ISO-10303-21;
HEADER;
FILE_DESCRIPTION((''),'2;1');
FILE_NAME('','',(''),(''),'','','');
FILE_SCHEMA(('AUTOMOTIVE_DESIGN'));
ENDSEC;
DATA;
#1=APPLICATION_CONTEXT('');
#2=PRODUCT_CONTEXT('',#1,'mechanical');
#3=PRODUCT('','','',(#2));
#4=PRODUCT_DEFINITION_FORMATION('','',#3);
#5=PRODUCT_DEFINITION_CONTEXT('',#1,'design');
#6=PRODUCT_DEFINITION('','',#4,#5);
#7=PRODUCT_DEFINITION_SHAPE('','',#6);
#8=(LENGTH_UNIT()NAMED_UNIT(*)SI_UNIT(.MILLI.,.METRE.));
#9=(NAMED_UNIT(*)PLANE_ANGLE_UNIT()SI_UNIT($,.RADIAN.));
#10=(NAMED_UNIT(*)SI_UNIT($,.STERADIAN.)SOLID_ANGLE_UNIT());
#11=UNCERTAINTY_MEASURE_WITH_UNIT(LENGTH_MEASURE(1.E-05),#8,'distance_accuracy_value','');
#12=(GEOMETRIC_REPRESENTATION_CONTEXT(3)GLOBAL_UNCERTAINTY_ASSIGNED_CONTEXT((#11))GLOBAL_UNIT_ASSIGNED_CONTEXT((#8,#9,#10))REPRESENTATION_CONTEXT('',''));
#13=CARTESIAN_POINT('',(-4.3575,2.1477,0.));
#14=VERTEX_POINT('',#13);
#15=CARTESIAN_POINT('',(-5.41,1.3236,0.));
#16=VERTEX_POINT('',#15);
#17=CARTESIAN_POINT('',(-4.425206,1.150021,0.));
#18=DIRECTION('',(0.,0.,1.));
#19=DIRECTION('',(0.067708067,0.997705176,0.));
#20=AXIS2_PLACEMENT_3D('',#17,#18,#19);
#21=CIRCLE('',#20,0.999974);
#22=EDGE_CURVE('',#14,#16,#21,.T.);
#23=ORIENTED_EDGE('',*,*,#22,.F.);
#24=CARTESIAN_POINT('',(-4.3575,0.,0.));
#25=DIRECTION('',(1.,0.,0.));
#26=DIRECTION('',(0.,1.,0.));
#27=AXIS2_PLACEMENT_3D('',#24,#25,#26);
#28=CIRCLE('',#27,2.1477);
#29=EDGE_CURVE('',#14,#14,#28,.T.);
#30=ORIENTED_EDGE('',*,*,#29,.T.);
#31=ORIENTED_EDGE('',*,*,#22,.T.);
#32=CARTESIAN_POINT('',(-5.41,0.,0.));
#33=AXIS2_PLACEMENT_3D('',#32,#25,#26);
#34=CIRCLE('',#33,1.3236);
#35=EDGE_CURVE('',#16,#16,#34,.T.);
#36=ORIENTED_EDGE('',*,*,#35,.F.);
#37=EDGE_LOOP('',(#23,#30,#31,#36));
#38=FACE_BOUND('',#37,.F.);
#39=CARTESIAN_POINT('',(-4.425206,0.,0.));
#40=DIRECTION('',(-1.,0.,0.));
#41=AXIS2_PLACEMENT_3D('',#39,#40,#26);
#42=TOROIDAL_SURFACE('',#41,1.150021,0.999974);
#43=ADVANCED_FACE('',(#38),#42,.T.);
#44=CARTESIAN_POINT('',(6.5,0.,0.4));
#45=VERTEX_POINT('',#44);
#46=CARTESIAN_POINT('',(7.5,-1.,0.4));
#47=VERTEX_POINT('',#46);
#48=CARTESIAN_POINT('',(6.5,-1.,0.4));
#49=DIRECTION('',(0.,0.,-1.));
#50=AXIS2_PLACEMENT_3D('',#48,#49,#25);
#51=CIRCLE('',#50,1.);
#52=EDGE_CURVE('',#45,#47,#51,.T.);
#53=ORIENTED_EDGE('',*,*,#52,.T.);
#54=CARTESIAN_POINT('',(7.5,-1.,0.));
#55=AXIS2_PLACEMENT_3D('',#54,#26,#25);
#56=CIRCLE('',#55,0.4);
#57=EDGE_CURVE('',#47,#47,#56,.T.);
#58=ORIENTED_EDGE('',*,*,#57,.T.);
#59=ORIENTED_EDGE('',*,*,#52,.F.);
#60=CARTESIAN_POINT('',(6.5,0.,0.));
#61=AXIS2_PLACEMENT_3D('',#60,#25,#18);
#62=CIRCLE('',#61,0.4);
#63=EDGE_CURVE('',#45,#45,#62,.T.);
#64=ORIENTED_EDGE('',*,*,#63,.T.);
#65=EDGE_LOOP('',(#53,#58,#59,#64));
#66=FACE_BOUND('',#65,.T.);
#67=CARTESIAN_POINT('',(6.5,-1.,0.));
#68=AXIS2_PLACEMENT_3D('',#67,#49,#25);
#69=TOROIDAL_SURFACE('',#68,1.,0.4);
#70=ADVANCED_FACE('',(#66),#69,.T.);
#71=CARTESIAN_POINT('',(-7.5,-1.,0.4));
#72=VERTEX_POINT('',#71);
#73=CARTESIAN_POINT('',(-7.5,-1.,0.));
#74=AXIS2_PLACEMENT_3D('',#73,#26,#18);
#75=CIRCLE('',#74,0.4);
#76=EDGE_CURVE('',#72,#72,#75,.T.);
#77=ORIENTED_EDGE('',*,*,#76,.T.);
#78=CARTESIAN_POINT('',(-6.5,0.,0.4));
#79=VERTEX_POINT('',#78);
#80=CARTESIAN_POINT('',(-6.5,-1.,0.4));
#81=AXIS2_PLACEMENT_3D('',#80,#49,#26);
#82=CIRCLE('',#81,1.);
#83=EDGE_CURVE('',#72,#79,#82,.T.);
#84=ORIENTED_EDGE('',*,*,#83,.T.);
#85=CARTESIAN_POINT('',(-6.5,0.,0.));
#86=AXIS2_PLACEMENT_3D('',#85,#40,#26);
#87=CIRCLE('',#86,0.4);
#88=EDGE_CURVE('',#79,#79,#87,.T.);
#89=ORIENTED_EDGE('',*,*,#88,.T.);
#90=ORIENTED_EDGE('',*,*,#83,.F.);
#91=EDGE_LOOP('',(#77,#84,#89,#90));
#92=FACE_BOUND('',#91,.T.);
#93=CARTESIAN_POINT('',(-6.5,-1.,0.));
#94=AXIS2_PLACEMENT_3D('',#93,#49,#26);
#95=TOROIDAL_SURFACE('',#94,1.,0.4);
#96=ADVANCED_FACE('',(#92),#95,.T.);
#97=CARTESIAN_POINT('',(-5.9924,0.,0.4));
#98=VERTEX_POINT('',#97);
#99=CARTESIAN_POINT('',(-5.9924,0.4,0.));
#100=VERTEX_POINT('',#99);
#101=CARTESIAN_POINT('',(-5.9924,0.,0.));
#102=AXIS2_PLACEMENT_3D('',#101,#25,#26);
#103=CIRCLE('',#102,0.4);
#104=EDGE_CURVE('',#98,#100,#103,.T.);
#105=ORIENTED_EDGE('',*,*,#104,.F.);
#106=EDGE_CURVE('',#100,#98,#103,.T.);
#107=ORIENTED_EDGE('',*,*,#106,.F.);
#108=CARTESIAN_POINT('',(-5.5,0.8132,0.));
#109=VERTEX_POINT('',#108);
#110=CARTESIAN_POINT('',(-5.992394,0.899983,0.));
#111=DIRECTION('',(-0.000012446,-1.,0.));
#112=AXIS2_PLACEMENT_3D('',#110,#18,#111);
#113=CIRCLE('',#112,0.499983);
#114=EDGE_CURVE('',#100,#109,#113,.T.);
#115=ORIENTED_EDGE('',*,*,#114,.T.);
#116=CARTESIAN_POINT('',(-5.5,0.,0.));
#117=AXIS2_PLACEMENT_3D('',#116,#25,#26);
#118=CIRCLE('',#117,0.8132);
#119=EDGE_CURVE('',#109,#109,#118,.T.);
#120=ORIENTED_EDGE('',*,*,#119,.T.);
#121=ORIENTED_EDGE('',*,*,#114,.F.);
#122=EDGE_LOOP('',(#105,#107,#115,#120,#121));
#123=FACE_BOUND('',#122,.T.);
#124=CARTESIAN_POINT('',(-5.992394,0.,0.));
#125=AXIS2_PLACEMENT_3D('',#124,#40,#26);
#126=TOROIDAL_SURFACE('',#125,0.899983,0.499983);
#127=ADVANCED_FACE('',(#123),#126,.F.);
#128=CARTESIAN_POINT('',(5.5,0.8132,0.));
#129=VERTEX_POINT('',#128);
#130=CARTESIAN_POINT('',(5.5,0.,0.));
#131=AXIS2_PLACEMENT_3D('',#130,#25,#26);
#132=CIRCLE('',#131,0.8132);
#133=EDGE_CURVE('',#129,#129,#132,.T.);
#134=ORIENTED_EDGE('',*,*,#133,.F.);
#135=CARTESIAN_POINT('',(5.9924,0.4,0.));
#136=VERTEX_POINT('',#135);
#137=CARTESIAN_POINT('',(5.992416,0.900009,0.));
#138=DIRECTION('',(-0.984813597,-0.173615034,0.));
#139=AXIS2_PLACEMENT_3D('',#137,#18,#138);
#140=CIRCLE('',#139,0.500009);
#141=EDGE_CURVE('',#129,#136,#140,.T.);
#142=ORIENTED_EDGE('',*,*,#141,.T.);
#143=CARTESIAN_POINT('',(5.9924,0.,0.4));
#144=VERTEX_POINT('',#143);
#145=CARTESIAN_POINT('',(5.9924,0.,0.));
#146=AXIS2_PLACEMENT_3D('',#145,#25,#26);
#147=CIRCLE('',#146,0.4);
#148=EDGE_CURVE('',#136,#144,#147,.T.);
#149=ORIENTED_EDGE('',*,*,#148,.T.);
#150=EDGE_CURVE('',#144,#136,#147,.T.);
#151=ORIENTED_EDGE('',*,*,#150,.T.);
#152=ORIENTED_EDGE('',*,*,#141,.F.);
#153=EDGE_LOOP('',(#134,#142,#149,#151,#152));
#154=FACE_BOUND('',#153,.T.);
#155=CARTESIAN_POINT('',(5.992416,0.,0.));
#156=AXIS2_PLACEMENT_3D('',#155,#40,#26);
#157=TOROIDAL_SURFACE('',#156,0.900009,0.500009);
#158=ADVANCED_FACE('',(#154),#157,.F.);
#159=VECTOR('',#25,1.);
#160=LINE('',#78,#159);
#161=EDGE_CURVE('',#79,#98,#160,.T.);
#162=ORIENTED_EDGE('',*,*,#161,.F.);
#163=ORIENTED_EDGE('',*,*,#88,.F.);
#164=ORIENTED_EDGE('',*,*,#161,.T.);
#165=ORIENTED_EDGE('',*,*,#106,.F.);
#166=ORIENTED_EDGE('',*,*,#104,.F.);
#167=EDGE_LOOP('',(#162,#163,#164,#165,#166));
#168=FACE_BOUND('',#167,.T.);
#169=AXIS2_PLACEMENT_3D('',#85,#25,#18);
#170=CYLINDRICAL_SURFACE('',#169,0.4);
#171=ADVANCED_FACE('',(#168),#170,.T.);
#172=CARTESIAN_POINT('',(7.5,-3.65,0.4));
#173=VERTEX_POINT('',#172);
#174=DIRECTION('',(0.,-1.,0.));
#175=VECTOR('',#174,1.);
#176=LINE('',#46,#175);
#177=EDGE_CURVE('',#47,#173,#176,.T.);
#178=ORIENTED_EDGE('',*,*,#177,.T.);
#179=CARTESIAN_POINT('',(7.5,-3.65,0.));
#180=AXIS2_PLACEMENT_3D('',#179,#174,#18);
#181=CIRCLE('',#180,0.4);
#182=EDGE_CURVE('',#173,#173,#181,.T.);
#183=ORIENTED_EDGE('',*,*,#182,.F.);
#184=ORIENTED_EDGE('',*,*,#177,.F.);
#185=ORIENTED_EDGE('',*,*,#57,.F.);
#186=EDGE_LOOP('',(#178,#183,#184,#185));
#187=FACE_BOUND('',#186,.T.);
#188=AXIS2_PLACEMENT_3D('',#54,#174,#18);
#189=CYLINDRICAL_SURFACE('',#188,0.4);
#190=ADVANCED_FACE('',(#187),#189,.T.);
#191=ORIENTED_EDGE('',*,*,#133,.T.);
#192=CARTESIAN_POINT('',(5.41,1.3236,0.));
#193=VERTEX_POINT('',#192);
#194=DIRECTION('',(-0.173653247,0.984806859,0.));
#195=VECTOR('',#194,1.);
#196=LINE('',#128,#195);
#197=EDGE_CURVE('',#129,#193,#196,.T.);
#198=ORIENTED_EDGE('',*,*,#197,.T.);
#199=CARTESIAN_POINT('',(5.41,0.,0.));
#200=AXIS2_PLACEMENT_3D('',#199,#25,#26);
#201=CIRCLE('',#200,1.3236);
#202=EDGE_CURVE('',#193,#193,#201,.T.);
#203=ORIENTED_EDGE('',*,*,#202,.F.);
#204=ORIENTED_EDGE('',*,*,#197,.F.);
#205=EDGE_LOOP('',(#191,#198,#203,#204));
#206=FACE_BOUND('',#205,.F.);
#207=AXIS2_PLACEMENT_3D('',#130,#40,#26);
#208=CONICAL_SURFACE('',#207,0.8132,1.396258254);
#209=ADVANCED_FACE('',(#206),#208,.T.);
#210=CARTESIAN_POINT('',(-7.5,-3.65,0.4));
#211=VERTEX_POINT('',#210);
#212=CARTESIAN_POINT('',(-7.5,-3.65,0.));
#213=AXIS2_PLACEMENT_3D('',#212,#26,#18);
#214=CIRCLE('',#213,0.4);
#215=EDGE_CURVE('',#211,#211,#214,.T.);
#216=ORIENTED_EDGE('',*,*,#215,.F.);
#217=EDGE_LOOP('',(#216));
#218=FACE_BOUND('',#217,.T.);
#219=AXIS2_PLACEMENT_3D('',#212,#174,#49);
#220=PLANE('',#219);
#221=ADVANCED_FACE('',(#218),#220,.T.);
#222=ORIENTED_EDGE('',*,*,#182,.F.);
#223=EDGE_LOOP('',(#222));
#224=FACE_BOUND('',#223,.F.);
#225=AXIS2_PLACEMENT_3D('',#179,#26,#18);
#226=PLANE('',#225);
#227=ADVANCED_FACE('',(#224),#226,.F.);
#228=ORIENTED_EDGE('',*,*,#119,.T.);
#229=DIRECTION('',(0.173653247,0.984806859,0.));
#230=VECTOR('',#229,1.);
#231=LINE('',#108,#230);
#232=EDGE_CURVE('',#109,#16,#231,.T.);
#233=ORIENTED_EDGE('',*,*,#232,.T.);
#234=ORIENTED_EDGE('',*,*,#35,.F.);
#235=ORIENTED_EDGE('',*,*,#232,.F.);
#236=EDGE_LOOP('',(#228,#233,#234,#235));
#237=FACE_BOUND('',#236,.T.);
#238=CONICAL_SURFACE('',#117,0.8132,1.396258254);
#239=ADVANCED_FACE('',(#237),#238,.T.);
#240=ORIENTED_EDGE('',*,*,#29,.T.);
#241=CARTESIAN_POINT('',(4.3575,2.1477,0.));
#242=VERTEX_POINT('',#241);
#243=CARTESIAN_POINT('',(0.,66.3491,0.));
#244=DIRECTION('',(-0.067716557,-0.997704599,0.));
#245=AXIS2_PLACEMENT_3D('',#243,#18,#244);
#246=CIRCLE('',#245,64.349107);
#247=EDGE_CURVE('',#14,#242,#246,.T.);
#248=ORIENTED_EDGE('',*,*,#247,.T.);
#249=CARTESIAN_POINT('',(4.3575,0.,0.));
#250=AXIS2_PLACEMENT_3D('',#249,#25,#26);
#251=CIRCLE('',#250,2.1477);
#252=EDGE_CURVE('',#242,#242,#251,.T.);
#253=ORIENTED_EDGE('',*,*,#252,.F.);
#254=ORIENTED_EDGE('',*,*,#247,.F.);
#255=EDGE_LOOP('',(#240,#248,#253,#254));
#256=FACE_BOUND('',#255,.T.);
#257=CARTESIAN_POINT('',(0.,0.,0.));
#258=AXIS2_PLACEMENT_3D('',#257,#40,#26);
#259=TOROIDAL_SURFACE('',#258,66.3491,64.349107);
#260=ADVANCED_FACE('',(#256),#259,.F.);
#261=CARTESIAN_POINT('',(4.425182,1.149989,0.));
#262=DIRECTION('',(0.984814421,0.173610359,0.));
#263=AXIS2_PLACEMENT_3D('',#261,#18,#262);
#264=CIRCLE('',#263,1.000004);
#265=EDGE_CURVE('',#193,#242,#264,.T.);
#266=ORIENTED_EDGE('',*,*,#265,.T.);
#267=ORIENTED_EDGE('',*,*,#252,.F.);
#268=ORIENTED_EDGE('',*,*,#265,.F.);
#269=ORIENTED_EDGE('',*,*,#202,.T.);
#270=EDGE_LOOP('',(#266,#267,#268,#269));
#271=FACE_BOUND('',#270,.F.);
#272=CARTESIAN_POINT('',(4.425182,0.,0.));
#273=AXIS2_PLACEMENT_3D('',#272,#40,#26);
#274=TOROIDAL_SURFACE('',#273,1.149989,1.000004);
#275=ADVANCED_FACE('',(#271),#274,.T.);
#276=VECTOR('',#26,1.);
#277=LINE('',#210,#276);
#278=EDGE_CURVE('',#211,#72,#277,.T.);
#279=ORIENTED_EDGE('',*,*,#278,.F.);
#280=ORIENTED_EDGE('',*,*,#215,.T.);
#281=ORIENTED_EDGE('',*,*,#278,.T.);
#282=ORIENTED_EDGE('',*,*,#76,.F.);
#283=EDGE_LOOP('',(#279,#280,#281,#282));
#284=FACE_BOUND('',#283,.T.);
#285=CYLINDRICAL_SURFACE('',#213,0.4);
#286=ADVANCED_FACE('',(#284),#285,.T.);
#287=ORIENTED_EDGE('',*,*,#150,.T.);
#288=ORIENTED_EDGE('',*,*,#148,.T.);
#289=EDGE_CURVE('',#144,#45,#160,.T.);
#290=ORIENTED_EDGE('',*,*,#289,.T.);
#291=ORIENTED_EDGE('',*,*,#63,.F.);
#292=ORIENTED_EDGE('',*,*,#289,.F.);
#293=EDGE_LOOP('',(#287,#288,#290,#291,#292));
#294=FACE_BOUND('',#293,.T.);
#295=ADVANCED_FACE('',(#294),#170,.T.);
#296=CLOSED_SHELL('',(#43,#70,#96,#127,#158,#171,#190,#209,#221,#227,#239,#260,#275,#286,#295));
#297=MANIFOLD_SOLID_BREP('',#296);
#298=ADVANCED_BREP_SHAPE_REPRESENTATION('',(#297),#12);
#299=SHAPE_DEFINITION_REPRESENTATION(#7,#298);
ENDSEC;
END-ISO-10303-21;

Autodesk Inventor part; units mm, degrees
ref_plane "YZ Plane" through (0, 0, 0) normal (1, 0, 0) x (0, 1, 0)
ref_plane "XZ Plane" through (0, 0, 0) normal (0, 1, 0) x (-1, 0, 0)
ref_plane "XY Plane" through (0, 0, 0) normal (0, 0, 1) x (1, 0, 0)
sketch "Sketch1" plane through (0, 0, 0) normal (0, 0, 1) x (1, 0, 0)
  line L0 (-5.9924, 0) -> (5.9924, 0)
  line L1 (5.9924, 0) -> (5.9924, 0.4)
  arc A0 (5.5, 0.8132) -> (5.9924, 0.4) centre (5.9924, 0.9) ccw
  line L2 (5.5, 0.8132) -> (5.41, 1.3236)
  arc A1 (5.41, 1.3236) -> (4.3575, 2.1477) centre (4.4252, 1.15) ccw
  line L3 (-5.9924, 0) -> (-5.9924, 0.4)
  arc A2 (-5.9924, 0.4) -> (-5.5, 0.8132) centre (-5.9924, 0.9) ccw
  line L4 (-5.5, 0.8132) -> (-5.41, 1.3236)
  arc A3 (-4.3575, 2.1477) -> (-5.41, 1.3236) centre (-4.4252, 1.15) ccw
  arc A4 (-4.3575, 2.1477) -> (4.3575, 2.1477) centre (0, 66.3491) ccw
  line L5 (-4.4252, 2.15) -> (4.4252, 2.15) construction
  point P0 (0, 0)
  point P1 (0, 0)
  dimension "d0" = 4.3
  dimension "d1" = 0.8
  dimension "d2" = 11
  dimension "d3" = 0.5
  dimension "d5" = 4
  dimension "d6" = 1
  dimension "d7" = 80
revolve "Revolution1" add sketch "Sketch1" angle 360 about axis through (-5.9924, 0, 0) along (1, 0, 0)
sketch "Sketch2" plane through (0, 0, 0) normal (0, 0, 1) x (1, 0, 0)
  line L0 (-5.9924, -0.4) -> (-5.9924, 0.4) projected
  line L1 (5.9924, -0.4) -> (5.9924, 0.4) projected
  line L2 (-7.5, -3.65) -> (-7.5, -1)
  arc A0 (-6.5, 0) -> (-7.5, -1) centre (-6.5, -1) ccw
  line L3 (-6.5, 0) -> (6.5, 0)
  arc A1 (7.5, -1) -> (6.5, 0) centre (6.5, -1) ccw
  line L4 (7.5, -1) -> (7.5, -3.65)
  arc A2 (-5.41, -1.3236) -> (-4.3575, -2.1477) centre (-4.4252, -1.15) ccw projected
  point P0 (0, 0)
  point P1 (0, 0)
  point P2 (-4.4252, -2.15)
  dimension "d9" = 1
  dimension "d10" = 0.5076
  dimension "d11" = 15
  dimension "d12" = 3.65
  dimension "d13" = 1.5
sketch "Sketch3" plane through (-5.9924, 0, 0) normal (-1, 0, 0) x (0, 0, 1)
  circle A0 centre (0, 0) radius 0.4 projected
sweep "Sweep1" add profiles "Sketch3" path "Sketch2" path curves L2 A0 L3 A1 L4
properties part number "Resistor_TH-15mm" material "Copper"
